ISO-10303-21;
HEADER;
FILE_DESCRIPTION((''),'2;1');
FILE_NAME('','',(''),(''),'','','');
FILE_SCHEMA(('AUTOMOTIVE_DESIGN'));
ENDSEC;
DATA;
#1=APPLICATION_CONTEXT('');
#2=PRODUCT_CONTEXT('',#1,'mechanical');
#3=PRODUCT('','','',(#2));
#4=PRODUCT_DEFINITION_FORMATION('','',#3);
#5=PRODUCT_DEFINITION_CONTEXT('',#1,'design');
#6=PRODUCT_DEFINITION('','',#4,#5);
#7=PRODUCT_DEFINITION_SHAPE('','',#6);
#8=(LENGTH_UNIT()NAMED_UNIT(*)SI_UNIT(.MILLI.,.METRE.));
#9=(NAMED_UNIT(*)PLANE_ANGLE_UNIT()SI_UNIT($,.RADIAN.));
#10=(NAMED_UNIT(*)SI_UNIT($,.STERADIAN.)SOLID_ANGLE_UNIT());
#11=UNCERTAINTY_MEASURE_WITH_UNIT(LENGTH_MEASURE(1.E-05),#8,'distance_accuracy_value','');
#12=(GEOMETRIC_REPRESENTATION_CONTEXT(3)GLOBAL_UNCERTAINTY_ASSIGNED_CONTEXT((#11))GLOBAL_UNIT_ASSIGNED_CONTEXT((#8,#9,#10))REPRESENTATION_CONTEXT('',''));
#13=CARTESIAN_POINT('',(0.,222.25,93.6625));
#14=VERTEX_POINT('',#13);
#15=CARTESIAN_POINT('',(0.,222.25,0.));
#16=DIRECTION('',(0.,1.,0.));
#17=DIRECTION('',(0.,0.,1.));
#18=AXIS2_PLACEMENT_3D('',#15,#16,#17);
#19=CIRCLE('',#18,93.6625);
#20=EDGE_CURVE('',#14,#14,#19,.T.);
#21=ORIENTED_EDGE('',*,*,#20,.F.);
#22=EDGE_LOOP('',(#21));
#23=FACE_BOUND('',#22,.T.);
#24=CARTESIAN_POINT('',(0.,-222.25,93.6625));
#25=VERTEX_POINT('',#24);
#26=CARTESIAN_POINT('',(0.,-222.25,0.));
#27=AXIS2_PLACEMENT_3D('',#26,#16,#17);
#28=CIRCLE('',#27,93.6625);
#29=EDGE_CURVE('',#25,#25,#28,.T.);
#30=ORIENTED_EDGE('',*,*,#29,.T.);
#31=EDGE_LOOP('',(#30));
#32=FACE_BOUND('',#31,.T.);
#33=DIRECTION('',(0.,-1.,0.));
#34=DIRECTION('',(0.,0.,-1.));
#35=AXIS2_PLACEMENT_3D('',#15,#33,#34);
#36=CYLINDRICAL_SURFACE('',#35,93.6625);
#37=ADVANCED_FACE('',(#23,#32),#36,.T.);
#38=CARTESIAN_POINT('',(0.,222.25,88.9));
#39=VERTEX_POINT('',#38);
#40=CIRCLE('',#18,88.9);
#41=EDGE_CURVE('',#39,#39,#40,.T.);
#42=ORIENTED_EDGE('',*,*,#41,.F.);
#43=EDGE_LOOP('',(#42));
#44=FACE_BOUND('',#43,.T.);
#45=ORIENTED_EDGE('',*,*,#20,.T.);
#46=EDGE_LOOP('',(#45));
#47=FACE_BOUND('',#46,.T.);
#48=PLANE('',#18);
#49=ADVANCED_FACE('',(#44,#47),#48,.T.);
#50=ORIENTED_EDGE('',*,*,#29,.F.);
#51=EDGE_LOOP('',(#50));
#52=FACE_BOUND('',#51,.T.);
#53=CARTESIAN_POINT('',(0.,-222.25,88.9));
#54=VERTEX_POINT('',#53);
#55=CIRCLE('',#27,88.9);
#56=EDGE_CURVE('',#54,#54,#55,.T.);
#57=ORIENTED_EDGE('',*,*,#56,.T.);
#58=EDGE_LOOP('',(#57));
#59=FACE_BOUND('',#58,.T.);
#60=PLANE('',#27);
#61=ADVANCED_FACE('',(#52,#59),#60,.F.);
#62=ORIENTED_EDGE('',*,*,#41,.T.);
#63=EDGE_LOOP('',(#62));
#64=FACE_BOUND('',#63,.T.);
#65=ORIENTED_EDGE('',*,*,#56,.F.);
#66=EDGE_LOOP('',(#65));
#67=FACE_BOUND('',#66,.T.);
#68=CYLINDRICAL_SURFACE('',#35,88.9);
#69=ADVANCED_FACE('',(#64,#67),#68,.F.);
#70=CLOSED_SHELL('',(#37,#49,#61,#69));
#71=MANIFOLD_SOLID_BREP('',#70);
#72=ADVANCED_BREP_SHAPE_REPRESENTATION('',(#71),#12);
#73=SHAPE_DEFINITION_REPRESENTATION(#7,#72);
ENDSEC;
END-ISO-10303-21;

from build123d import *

# Parameters (mm, degrees)
SKETCH1_R           = 93.6625
SKETCH1_R_2         = 88.9
BOSS_EXTRUDE1_DEPTH = 222.25


with BuildPart() as part:
    # Sketch1 → Boss-Extrude1 (new, symmetric)
    with BuildSketch(Plane(origin=(0, 0, 0), x_dir=(1, 0, 0), z_dir=(0, 1, 0))):
        with Locations(Location((0, 0, 0), (0, 0, 270))):
            Circle(SKETCH1_R)
        with Locations(Location((0, 0, 0), (0, 0, 270))):
            Circle(SKETCH1_R_2, mode=Mode.SUBTRACT)
    extrude(amount=BOSS_EXTRUDE1_DEPTH, both=True)


solid = part.part
